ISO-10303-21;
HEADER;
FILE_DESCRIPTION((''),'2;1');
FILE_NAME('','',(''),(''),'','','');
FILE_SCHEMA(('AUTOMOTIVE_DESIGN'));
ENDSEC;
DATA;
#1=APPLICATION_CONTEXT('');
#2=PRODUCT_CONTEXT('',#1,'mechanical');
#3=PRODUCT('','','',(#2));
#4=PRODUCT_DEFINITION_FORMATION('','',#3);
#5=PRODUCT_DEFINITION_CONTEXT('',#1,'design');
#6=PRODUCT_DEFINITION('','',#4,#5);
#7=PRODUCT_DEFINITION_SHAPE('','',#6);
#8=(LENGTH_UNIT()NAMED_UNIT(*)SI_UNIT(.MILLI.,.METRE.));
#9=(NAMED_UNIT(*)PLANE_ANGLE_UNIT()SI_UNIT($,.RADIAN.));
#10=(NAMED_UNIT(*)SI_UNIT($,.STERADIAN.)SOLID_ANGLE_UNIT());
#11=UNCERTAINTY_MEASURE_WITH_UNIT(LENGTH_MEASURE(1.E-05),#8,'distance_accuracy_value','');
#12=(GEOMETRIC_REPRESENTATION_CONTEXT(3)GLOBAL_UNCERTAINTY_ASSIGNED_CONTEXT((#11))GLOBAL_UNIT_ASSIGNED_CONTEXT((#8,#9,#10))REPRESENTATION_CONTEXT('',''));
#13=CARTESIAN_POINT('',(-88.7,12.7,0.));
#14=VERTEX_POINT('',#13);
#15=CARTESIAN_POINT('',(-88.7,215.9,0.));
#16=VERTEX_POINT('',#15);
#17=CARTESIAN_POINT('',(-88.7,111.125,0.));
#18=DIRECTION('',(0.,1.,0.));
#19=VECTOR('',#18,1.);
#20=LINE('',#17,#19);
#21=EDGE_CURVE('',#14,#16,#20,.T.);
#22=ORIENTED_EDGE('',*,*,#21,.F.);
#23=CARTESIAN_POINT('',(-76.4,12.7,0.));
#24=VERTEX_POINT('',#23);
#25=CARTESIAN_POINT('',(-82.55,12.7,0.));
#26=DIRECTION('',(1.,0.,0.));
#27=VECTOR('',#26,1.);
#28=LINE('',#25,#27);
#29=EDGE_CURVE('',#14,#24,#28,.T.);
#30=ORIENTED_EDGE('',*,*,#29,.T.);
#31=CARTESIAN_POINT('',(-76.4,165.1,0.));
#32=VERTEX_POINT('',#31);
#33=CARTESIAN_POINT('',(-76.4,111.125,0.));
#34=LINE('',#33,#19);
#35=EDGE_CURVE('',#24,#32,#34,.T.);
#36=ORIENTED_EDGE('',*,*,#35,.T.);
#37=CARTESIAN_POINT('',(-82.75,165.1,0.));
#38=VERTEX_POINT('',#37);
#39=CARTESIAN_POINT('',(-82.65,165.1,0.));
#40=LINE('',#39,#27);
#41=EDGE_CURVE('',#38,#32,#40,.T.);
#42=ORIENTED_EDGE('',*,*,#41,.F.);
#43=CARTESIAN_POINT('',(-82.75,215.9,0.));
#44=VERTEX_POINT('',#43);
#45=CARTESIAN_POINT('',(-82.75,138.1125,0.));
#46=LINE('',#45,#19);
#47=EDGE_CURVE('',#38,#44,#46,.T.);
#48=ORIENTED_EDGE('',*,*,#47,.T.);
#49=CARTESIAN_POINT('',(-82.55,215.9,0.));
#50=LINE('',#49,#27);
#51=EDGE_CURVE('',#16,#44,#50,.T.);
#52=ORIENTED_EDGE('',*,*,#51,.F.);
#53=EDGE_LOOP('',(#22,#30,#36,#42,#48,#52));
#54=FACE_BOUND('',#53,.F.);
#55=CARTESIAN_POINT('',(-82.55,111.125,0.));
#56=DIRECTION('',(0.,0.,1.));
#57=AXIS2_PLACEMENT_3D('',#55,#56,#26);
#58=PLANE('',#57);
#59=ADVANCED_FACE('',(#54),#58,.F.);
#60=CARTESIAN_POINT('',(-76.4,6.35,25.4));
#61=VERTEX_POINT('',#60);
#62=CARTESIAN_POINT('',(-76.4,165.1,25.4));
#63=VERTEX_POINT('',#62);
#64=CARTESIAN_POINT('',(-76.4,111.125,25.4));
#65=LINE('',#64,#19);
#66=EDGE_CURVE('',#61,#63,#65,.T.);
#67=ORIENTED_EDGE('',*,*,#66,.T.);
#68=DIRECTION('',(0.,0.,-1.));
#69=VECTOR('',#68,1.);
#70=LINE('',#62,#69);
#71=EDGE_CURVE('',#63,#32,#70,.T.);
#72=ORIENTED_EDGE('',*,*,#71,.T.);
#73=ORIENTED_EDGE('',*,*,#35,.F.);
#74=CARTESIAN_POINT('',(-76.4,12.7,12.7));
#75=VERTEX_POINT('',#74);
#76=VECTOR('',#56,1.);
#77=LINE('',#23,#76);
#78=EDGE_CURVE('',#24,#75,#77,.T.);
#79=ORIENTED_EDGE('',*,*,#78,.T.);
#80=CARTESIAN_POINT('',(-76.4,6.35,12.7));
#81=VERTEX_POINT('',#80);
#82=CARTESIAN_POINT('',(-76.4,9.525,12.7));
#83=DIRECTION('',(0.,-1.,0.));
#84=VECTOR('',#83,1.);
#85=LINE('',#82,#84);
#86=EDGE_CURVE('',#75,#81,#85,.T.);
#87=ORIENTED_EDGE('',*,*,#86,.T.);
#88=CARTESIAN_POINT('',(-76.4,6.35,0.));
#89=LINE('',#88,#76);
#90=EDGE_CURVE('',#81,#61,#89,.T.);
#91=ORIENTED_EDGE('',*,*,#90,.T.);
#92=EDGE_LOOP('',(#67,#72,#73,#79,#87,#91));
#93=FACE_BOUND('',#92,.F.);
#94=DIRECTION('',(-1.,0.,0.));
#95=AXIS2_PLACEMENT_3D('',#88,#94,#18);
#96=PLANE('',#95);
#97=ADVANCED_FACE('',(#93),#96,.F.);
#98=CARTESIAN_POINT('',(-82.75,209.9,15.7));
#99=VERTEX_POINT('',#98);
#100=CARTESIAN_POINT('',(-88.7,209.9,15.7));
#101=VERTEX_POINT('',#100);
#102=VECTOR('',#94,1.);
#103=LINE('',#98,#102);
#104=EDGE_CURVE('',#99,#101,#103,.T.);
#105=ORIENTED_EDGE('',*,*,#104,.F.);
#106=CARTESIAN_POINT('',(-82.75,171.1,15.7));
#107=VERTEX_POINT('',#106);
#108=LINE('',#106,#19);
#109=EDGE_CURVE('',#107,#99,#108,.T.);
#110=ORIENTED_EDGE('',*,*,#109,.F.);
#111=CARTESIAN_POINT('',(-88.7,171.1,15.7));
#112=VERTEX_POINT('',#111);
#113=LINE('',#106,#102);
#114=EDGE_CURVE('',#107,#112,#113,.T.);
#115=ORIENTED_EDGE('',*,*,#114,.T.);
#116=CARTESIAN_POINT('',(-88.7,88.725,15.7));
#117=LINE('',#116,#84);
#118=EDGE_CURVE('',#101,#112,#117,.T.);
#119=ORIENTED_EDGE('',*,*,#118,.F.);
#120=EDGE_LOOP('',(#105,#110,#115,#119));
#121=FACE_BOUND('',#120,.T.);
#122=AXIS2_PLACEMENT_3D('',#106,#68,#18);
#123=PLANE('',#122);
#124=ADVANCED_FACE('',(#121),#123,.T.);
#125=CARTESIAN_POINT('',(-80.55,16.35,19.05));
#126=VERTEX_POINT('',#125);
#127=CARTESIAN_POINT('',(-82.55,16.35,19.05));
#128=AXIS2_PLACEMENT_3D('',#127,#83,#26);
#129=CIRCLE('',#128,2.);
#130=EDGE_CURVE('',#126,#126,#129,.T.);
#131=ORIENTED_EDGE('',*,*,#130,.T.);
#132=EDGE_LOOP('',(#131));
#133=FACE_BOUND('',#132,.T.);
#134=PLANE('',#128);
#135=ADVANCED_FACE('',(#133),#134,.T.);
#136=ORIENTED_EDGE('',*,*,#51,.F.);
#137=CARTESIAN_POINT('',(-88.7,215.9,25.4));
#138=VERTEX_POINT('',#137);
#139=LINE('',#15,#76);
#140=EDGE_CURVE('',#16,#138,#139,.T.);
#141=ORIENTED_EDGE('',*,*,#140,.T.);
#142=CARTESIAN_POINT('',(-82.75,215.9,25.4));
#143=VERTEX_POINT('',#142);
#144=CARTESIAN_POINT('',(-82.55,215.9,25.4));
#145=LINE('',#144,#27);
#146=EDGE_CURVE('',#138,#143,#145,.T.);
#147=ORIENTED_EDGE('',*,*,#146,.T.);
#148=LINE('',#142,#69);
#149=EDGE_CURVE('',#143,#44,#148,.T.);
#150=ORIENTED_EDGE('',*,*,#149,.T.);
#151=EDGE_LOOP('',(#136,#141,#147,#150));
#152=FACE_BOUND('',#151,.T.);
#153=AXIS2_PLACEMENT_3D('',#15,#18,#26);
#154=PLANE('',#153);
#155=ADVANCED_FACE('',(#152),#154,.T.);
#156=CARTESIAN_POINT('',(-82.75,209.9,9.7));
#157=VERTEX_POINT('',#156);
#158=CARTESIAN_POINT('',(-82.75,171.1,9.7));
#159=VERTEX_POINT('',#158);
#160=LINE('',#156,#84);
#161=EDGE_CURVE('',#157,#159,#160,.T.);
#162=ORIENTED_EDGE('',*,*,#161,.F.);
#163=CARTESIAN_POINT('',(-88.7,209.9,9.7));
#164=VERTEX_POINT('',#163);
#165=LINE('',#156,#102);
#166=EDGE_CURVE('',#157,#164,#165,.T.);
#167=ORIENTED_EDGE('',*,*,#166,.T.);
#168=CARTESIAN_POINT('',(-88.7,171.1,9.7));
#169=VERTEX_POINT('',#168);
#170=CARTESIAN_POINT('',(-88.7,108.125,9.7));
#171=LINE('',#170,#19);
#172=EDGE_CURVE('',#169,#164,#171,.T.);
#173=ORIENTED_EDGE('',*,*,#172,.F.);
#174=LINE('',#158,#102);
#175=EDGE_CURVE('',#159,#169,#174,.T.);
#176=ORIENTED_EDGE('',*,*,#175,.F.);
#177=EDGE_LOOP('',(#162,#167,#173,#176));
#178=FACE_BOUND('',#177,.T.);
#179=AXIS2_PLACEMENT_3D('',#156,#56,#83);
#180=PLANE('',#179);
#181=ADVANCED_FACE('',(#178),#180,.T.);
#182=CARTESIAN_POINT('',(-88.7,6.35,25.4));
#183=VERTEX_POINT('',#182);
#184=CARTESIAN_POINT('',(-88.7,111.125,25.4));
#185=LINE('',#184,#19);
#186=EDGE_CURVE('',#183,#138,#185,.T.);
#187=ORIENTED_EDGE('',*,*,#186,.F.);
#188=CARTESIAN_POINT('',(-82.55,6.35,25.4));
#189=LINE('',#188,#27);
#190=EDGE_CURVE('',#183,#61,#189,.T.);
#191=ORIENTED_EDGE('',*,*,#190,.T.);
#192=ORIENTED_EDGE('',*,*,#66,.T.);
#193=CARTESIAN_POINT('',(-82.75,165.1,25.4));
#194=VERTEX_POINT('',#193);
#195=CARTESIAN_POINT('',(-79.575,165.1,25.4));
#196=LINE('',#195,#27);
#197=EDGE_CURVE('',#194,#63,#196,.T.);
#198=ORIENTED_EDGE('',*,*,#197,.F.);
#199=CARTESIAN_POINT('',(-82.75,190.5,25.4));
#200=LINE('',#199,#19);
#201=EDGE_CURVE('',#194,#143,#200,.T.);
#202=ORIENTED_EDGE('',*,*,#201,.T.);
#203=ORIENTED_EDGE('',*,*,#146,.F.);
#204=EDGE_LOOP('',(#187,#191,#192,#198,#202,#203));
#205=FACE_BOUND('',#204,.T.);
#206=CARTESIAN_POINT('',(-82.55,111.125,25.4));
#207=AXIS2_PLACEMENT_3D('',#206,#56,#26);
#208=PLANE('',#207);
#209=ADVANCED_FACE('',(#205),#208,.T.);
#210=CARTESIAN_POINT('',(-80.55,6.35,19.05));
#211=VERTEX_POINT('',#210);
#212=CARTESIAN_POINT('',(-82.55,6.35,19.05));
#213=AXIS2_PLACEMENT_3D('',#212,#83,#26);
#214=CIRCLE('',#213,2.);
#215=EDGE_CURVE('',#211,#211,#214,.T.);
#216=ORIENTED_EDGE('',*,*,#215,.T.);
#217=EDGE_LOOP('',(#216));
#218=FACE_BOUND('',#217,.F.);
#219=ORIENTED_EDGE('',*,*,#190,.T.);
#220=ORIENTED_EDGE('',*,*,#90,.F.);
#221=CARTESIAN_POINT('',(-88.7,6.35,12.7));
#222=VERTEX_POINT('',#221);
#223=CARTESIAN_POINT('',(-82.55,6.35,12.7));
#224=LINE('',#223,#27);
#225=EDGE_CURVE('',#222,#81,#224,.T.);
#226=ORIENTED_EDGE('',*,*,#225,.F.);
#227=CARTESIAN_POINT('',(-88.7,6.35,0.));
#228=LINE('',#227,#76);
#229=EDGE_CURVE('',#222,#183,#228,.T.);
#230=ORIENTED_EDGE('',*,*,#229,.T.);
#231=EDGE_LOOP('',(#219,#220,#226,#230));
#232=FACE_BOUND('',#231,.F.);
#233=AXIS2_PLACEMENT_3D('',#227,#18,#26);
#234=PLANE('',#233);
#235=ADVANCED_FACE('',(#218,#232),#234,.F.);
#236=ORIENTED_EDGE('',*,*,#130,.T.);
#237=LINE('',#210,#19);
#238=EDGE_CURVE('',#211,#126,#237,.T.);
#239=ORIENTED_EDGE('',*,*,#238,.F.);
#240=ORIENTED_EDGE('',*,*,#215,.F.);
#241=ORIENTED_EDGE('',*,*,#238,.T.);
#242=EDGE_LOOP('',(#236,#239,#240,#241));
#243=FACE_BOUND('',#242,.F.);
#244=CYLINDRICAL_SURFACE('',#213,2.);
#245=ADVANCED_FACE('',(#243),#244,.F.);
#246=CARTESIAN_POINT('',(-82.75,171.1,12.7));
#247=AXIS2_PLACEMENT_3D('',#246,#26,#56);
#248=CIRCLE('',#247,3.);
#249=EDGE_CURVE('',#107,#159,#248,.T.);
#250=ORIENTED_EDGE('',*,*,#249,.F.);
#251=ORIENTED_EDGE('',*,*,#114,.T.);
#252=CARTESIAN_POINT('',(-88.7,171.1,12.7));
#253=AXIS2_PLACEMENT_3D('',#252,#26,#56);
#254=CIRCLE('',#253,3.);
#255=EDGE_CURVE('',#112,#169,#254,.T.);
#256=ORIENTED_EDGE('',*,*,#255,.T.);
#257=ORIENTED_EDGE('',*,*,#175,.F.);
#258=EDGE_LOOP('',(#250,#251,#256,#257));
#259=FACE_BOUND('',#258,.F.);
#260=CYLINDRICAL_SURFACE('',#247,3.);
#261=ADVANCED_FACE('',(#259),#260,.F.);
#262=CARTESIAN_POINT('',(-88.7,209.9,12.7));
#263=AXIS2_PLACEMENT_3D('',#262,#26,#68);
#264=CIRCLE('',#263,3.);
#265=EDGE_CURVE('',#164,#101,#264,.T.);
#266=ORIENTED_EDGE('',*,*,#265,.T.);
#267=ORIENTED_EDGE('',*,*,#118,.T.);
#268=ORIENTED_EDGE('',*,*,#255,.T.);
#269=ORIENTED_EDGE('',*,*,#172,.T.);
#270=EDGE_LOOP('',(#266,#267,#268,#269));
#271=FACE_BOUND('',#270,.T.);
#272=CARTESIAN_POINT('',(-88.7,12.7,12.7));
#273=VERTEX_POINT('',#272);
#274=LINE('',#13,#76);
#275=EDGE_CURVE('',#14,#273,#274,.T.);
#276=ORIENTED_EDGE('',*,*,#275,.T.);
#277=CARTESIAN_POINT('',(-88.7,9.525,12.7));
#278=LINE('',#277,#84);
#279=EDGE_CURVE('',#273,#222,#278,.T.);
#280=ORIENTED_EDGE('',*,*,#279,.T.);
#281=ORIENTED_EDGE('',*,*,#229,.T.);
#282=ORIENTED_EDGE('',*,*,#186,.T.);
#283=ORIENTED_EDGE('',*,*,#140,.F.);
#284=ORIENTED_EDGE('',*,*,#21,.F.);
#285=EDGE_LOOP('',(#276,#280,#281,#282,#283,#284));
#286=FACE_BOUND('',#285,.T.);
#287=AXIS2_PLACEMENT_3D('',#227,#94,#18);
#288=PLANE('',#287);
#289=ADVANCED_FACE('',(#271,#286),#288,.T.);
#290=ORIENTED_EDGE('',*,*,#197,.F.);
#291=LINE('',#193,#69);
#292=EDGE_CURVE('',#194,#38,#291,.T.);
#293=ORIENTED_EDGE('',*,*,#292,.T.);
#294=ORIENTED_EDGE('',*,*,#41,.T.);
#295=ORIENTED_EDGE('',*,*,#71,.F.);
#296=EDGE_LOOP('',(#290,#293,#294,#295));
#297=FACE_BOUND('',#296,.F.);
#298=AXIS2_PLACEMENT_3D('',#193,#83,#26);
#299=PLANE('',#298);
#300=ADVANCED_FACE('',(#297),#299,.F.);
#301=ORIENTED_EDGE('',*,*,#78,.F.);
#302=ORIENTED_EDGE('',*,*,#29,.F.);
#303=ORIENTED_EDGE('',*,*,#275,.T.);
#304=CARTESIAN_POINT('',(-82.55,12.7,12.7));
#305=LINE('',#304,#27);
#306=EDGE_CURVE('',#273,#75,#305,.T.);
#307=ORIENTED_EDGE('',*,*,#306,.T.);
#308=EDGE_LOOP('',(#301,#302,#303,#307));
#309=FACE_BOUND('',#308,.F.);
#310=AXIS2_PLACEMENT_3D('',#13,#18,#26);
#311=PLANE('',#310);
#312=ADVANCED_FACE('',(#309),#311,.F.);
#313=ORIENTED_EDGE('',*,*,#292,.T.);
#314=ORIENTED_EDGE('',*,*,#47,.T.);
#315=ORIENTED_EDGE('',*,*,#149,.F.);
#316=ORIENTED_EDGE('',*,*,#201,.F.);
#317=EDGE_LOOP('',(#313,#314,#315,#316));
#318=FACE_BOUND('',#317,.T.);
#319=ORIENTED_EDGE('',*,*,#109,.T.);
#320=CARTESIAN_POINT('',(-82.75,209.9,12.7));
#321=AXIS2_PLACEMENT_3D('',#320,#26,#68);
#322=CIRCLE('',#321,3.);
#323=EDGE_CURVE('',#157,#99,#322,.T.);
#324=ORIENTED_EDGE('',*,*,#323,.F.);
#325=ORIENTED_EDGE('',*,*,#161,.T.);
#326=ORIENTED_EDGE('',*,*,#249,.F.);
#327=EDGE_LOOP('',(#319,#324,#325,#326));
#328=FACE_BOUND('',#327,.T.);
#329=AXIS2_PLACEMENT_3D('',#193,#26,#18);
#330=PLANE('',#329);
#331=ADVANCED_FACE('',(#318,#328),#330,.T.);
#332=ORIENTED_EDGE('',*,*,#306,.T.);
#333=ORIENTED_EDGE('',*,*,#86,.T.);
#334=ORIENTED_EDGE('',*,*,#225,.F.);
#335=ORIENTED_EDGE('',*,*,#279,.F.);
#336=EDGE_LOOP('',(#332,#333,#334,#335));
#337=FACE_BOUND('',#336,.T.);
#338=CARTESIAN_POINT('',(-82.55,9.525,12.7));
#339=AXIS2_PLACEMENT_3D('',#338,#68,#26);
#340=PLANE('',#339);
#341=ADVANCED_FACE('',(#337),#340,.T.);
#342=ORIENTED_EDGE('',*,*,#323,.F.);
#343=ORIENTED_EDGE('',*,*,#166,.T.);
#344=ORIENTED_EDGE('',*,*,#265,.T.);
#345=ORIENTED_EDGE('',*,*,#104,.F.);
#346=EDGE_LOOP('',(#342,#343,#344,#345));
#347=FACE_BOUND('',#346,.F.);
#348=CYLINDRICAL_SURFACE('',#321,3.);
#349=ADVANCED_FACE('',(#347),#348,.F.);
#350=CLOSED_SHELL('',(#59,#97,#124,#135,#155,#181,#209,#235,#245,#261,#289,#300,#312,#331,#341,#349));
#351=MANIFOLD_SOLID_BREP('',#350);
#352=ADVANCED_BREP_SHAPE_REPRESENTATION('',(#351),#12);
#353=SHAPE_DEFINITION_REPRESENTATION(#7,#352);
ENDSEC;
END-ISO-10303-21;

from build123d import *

# Parameters (mm, degrees)
SKETCH009_W     = 12.3
SKETCH009_H     = 209.55
PAD002_DEPTH    = 25.4
SKETCH010_W     = 12.3
SKETCH010_H     = 6.35
POCKET007_DEPTH = 12.7
SKETCH011_R     = 2
POCKET008_DEPTH = 10
SKETCH012_W     = 6.35
SKETCH012_H     = 50.8
POCKET009_DEPTH = 25.401
POCKET010_DEPTH = 5.951


with BuildPart() as part:
    # Sketch009 → Pad002 (new body)
    with BuildSketch(Plane.XY):
        with Locations((-82.55, 111.125)):
            Rectangle(SKETCH009_W, SKETCH009_H)
    extrude(amount=PAD002_DEPTH)

    # Sketch010 (on Face5 of Pad002) → Pocket007 (cut)
    with BuildSketch(Plane(origin=(0, 0, 0), x_dir=(1, 0, 0), z_dir=(0, 0, -1))):
        with Locations((-82.55, -9.525)):
            Rectangle(SKETCH010_W, SKETCH010_H)
    extrude(amount=-POCKET007_DEPTH, mode=Mode.SUBTRACT)

    # Sketch011 (on Face1 of Pocket007) → Pocket008 (cut)
    with BuildSketch(Plane.XZ.offset(-6.35)):
        with Locations((-82.55, 19.05)):
            Circle(SKETCH011_R)
    extrude(amount=-POCKET008_DEPTH, mode=Mode.SUBTRACT)

    # Sketch012 (on Face5 of Pocket008) → Pocket009 (cut, through all)
    with BuildSketch(Plane.XY.offset(25.4)):
        with Locations((-79.575, 190.5)):
            Rectangle(SKETCH012_W, SKETCH012_H)
    extrude(amount=-POCKET009_DEPTH, mode=Mode.SUBTRACT)

    # Sketch013 (on Face11 of Pocket009) → Pocket010 (cut, through all)
    with BuildSketch(Plane.YZ.offset(-82.75)):
        with BuildLine():
            Line((171.1, 15.7), (209.9, 15.7))
            ThreePointArc((209.9, 9.7), (212.9, 12.7), (209.9, 15.7))
            Line((209.9, 9.7), (171.1, 9.7))
            ThreePointArc((171.1, 15.7), (168.1, 12.7), (171.1, 9.7))
        make_face()
    extrude(amount=-POCKET010_DEPTH, mode=Mode.SUBTRACT)


solid = part.part
